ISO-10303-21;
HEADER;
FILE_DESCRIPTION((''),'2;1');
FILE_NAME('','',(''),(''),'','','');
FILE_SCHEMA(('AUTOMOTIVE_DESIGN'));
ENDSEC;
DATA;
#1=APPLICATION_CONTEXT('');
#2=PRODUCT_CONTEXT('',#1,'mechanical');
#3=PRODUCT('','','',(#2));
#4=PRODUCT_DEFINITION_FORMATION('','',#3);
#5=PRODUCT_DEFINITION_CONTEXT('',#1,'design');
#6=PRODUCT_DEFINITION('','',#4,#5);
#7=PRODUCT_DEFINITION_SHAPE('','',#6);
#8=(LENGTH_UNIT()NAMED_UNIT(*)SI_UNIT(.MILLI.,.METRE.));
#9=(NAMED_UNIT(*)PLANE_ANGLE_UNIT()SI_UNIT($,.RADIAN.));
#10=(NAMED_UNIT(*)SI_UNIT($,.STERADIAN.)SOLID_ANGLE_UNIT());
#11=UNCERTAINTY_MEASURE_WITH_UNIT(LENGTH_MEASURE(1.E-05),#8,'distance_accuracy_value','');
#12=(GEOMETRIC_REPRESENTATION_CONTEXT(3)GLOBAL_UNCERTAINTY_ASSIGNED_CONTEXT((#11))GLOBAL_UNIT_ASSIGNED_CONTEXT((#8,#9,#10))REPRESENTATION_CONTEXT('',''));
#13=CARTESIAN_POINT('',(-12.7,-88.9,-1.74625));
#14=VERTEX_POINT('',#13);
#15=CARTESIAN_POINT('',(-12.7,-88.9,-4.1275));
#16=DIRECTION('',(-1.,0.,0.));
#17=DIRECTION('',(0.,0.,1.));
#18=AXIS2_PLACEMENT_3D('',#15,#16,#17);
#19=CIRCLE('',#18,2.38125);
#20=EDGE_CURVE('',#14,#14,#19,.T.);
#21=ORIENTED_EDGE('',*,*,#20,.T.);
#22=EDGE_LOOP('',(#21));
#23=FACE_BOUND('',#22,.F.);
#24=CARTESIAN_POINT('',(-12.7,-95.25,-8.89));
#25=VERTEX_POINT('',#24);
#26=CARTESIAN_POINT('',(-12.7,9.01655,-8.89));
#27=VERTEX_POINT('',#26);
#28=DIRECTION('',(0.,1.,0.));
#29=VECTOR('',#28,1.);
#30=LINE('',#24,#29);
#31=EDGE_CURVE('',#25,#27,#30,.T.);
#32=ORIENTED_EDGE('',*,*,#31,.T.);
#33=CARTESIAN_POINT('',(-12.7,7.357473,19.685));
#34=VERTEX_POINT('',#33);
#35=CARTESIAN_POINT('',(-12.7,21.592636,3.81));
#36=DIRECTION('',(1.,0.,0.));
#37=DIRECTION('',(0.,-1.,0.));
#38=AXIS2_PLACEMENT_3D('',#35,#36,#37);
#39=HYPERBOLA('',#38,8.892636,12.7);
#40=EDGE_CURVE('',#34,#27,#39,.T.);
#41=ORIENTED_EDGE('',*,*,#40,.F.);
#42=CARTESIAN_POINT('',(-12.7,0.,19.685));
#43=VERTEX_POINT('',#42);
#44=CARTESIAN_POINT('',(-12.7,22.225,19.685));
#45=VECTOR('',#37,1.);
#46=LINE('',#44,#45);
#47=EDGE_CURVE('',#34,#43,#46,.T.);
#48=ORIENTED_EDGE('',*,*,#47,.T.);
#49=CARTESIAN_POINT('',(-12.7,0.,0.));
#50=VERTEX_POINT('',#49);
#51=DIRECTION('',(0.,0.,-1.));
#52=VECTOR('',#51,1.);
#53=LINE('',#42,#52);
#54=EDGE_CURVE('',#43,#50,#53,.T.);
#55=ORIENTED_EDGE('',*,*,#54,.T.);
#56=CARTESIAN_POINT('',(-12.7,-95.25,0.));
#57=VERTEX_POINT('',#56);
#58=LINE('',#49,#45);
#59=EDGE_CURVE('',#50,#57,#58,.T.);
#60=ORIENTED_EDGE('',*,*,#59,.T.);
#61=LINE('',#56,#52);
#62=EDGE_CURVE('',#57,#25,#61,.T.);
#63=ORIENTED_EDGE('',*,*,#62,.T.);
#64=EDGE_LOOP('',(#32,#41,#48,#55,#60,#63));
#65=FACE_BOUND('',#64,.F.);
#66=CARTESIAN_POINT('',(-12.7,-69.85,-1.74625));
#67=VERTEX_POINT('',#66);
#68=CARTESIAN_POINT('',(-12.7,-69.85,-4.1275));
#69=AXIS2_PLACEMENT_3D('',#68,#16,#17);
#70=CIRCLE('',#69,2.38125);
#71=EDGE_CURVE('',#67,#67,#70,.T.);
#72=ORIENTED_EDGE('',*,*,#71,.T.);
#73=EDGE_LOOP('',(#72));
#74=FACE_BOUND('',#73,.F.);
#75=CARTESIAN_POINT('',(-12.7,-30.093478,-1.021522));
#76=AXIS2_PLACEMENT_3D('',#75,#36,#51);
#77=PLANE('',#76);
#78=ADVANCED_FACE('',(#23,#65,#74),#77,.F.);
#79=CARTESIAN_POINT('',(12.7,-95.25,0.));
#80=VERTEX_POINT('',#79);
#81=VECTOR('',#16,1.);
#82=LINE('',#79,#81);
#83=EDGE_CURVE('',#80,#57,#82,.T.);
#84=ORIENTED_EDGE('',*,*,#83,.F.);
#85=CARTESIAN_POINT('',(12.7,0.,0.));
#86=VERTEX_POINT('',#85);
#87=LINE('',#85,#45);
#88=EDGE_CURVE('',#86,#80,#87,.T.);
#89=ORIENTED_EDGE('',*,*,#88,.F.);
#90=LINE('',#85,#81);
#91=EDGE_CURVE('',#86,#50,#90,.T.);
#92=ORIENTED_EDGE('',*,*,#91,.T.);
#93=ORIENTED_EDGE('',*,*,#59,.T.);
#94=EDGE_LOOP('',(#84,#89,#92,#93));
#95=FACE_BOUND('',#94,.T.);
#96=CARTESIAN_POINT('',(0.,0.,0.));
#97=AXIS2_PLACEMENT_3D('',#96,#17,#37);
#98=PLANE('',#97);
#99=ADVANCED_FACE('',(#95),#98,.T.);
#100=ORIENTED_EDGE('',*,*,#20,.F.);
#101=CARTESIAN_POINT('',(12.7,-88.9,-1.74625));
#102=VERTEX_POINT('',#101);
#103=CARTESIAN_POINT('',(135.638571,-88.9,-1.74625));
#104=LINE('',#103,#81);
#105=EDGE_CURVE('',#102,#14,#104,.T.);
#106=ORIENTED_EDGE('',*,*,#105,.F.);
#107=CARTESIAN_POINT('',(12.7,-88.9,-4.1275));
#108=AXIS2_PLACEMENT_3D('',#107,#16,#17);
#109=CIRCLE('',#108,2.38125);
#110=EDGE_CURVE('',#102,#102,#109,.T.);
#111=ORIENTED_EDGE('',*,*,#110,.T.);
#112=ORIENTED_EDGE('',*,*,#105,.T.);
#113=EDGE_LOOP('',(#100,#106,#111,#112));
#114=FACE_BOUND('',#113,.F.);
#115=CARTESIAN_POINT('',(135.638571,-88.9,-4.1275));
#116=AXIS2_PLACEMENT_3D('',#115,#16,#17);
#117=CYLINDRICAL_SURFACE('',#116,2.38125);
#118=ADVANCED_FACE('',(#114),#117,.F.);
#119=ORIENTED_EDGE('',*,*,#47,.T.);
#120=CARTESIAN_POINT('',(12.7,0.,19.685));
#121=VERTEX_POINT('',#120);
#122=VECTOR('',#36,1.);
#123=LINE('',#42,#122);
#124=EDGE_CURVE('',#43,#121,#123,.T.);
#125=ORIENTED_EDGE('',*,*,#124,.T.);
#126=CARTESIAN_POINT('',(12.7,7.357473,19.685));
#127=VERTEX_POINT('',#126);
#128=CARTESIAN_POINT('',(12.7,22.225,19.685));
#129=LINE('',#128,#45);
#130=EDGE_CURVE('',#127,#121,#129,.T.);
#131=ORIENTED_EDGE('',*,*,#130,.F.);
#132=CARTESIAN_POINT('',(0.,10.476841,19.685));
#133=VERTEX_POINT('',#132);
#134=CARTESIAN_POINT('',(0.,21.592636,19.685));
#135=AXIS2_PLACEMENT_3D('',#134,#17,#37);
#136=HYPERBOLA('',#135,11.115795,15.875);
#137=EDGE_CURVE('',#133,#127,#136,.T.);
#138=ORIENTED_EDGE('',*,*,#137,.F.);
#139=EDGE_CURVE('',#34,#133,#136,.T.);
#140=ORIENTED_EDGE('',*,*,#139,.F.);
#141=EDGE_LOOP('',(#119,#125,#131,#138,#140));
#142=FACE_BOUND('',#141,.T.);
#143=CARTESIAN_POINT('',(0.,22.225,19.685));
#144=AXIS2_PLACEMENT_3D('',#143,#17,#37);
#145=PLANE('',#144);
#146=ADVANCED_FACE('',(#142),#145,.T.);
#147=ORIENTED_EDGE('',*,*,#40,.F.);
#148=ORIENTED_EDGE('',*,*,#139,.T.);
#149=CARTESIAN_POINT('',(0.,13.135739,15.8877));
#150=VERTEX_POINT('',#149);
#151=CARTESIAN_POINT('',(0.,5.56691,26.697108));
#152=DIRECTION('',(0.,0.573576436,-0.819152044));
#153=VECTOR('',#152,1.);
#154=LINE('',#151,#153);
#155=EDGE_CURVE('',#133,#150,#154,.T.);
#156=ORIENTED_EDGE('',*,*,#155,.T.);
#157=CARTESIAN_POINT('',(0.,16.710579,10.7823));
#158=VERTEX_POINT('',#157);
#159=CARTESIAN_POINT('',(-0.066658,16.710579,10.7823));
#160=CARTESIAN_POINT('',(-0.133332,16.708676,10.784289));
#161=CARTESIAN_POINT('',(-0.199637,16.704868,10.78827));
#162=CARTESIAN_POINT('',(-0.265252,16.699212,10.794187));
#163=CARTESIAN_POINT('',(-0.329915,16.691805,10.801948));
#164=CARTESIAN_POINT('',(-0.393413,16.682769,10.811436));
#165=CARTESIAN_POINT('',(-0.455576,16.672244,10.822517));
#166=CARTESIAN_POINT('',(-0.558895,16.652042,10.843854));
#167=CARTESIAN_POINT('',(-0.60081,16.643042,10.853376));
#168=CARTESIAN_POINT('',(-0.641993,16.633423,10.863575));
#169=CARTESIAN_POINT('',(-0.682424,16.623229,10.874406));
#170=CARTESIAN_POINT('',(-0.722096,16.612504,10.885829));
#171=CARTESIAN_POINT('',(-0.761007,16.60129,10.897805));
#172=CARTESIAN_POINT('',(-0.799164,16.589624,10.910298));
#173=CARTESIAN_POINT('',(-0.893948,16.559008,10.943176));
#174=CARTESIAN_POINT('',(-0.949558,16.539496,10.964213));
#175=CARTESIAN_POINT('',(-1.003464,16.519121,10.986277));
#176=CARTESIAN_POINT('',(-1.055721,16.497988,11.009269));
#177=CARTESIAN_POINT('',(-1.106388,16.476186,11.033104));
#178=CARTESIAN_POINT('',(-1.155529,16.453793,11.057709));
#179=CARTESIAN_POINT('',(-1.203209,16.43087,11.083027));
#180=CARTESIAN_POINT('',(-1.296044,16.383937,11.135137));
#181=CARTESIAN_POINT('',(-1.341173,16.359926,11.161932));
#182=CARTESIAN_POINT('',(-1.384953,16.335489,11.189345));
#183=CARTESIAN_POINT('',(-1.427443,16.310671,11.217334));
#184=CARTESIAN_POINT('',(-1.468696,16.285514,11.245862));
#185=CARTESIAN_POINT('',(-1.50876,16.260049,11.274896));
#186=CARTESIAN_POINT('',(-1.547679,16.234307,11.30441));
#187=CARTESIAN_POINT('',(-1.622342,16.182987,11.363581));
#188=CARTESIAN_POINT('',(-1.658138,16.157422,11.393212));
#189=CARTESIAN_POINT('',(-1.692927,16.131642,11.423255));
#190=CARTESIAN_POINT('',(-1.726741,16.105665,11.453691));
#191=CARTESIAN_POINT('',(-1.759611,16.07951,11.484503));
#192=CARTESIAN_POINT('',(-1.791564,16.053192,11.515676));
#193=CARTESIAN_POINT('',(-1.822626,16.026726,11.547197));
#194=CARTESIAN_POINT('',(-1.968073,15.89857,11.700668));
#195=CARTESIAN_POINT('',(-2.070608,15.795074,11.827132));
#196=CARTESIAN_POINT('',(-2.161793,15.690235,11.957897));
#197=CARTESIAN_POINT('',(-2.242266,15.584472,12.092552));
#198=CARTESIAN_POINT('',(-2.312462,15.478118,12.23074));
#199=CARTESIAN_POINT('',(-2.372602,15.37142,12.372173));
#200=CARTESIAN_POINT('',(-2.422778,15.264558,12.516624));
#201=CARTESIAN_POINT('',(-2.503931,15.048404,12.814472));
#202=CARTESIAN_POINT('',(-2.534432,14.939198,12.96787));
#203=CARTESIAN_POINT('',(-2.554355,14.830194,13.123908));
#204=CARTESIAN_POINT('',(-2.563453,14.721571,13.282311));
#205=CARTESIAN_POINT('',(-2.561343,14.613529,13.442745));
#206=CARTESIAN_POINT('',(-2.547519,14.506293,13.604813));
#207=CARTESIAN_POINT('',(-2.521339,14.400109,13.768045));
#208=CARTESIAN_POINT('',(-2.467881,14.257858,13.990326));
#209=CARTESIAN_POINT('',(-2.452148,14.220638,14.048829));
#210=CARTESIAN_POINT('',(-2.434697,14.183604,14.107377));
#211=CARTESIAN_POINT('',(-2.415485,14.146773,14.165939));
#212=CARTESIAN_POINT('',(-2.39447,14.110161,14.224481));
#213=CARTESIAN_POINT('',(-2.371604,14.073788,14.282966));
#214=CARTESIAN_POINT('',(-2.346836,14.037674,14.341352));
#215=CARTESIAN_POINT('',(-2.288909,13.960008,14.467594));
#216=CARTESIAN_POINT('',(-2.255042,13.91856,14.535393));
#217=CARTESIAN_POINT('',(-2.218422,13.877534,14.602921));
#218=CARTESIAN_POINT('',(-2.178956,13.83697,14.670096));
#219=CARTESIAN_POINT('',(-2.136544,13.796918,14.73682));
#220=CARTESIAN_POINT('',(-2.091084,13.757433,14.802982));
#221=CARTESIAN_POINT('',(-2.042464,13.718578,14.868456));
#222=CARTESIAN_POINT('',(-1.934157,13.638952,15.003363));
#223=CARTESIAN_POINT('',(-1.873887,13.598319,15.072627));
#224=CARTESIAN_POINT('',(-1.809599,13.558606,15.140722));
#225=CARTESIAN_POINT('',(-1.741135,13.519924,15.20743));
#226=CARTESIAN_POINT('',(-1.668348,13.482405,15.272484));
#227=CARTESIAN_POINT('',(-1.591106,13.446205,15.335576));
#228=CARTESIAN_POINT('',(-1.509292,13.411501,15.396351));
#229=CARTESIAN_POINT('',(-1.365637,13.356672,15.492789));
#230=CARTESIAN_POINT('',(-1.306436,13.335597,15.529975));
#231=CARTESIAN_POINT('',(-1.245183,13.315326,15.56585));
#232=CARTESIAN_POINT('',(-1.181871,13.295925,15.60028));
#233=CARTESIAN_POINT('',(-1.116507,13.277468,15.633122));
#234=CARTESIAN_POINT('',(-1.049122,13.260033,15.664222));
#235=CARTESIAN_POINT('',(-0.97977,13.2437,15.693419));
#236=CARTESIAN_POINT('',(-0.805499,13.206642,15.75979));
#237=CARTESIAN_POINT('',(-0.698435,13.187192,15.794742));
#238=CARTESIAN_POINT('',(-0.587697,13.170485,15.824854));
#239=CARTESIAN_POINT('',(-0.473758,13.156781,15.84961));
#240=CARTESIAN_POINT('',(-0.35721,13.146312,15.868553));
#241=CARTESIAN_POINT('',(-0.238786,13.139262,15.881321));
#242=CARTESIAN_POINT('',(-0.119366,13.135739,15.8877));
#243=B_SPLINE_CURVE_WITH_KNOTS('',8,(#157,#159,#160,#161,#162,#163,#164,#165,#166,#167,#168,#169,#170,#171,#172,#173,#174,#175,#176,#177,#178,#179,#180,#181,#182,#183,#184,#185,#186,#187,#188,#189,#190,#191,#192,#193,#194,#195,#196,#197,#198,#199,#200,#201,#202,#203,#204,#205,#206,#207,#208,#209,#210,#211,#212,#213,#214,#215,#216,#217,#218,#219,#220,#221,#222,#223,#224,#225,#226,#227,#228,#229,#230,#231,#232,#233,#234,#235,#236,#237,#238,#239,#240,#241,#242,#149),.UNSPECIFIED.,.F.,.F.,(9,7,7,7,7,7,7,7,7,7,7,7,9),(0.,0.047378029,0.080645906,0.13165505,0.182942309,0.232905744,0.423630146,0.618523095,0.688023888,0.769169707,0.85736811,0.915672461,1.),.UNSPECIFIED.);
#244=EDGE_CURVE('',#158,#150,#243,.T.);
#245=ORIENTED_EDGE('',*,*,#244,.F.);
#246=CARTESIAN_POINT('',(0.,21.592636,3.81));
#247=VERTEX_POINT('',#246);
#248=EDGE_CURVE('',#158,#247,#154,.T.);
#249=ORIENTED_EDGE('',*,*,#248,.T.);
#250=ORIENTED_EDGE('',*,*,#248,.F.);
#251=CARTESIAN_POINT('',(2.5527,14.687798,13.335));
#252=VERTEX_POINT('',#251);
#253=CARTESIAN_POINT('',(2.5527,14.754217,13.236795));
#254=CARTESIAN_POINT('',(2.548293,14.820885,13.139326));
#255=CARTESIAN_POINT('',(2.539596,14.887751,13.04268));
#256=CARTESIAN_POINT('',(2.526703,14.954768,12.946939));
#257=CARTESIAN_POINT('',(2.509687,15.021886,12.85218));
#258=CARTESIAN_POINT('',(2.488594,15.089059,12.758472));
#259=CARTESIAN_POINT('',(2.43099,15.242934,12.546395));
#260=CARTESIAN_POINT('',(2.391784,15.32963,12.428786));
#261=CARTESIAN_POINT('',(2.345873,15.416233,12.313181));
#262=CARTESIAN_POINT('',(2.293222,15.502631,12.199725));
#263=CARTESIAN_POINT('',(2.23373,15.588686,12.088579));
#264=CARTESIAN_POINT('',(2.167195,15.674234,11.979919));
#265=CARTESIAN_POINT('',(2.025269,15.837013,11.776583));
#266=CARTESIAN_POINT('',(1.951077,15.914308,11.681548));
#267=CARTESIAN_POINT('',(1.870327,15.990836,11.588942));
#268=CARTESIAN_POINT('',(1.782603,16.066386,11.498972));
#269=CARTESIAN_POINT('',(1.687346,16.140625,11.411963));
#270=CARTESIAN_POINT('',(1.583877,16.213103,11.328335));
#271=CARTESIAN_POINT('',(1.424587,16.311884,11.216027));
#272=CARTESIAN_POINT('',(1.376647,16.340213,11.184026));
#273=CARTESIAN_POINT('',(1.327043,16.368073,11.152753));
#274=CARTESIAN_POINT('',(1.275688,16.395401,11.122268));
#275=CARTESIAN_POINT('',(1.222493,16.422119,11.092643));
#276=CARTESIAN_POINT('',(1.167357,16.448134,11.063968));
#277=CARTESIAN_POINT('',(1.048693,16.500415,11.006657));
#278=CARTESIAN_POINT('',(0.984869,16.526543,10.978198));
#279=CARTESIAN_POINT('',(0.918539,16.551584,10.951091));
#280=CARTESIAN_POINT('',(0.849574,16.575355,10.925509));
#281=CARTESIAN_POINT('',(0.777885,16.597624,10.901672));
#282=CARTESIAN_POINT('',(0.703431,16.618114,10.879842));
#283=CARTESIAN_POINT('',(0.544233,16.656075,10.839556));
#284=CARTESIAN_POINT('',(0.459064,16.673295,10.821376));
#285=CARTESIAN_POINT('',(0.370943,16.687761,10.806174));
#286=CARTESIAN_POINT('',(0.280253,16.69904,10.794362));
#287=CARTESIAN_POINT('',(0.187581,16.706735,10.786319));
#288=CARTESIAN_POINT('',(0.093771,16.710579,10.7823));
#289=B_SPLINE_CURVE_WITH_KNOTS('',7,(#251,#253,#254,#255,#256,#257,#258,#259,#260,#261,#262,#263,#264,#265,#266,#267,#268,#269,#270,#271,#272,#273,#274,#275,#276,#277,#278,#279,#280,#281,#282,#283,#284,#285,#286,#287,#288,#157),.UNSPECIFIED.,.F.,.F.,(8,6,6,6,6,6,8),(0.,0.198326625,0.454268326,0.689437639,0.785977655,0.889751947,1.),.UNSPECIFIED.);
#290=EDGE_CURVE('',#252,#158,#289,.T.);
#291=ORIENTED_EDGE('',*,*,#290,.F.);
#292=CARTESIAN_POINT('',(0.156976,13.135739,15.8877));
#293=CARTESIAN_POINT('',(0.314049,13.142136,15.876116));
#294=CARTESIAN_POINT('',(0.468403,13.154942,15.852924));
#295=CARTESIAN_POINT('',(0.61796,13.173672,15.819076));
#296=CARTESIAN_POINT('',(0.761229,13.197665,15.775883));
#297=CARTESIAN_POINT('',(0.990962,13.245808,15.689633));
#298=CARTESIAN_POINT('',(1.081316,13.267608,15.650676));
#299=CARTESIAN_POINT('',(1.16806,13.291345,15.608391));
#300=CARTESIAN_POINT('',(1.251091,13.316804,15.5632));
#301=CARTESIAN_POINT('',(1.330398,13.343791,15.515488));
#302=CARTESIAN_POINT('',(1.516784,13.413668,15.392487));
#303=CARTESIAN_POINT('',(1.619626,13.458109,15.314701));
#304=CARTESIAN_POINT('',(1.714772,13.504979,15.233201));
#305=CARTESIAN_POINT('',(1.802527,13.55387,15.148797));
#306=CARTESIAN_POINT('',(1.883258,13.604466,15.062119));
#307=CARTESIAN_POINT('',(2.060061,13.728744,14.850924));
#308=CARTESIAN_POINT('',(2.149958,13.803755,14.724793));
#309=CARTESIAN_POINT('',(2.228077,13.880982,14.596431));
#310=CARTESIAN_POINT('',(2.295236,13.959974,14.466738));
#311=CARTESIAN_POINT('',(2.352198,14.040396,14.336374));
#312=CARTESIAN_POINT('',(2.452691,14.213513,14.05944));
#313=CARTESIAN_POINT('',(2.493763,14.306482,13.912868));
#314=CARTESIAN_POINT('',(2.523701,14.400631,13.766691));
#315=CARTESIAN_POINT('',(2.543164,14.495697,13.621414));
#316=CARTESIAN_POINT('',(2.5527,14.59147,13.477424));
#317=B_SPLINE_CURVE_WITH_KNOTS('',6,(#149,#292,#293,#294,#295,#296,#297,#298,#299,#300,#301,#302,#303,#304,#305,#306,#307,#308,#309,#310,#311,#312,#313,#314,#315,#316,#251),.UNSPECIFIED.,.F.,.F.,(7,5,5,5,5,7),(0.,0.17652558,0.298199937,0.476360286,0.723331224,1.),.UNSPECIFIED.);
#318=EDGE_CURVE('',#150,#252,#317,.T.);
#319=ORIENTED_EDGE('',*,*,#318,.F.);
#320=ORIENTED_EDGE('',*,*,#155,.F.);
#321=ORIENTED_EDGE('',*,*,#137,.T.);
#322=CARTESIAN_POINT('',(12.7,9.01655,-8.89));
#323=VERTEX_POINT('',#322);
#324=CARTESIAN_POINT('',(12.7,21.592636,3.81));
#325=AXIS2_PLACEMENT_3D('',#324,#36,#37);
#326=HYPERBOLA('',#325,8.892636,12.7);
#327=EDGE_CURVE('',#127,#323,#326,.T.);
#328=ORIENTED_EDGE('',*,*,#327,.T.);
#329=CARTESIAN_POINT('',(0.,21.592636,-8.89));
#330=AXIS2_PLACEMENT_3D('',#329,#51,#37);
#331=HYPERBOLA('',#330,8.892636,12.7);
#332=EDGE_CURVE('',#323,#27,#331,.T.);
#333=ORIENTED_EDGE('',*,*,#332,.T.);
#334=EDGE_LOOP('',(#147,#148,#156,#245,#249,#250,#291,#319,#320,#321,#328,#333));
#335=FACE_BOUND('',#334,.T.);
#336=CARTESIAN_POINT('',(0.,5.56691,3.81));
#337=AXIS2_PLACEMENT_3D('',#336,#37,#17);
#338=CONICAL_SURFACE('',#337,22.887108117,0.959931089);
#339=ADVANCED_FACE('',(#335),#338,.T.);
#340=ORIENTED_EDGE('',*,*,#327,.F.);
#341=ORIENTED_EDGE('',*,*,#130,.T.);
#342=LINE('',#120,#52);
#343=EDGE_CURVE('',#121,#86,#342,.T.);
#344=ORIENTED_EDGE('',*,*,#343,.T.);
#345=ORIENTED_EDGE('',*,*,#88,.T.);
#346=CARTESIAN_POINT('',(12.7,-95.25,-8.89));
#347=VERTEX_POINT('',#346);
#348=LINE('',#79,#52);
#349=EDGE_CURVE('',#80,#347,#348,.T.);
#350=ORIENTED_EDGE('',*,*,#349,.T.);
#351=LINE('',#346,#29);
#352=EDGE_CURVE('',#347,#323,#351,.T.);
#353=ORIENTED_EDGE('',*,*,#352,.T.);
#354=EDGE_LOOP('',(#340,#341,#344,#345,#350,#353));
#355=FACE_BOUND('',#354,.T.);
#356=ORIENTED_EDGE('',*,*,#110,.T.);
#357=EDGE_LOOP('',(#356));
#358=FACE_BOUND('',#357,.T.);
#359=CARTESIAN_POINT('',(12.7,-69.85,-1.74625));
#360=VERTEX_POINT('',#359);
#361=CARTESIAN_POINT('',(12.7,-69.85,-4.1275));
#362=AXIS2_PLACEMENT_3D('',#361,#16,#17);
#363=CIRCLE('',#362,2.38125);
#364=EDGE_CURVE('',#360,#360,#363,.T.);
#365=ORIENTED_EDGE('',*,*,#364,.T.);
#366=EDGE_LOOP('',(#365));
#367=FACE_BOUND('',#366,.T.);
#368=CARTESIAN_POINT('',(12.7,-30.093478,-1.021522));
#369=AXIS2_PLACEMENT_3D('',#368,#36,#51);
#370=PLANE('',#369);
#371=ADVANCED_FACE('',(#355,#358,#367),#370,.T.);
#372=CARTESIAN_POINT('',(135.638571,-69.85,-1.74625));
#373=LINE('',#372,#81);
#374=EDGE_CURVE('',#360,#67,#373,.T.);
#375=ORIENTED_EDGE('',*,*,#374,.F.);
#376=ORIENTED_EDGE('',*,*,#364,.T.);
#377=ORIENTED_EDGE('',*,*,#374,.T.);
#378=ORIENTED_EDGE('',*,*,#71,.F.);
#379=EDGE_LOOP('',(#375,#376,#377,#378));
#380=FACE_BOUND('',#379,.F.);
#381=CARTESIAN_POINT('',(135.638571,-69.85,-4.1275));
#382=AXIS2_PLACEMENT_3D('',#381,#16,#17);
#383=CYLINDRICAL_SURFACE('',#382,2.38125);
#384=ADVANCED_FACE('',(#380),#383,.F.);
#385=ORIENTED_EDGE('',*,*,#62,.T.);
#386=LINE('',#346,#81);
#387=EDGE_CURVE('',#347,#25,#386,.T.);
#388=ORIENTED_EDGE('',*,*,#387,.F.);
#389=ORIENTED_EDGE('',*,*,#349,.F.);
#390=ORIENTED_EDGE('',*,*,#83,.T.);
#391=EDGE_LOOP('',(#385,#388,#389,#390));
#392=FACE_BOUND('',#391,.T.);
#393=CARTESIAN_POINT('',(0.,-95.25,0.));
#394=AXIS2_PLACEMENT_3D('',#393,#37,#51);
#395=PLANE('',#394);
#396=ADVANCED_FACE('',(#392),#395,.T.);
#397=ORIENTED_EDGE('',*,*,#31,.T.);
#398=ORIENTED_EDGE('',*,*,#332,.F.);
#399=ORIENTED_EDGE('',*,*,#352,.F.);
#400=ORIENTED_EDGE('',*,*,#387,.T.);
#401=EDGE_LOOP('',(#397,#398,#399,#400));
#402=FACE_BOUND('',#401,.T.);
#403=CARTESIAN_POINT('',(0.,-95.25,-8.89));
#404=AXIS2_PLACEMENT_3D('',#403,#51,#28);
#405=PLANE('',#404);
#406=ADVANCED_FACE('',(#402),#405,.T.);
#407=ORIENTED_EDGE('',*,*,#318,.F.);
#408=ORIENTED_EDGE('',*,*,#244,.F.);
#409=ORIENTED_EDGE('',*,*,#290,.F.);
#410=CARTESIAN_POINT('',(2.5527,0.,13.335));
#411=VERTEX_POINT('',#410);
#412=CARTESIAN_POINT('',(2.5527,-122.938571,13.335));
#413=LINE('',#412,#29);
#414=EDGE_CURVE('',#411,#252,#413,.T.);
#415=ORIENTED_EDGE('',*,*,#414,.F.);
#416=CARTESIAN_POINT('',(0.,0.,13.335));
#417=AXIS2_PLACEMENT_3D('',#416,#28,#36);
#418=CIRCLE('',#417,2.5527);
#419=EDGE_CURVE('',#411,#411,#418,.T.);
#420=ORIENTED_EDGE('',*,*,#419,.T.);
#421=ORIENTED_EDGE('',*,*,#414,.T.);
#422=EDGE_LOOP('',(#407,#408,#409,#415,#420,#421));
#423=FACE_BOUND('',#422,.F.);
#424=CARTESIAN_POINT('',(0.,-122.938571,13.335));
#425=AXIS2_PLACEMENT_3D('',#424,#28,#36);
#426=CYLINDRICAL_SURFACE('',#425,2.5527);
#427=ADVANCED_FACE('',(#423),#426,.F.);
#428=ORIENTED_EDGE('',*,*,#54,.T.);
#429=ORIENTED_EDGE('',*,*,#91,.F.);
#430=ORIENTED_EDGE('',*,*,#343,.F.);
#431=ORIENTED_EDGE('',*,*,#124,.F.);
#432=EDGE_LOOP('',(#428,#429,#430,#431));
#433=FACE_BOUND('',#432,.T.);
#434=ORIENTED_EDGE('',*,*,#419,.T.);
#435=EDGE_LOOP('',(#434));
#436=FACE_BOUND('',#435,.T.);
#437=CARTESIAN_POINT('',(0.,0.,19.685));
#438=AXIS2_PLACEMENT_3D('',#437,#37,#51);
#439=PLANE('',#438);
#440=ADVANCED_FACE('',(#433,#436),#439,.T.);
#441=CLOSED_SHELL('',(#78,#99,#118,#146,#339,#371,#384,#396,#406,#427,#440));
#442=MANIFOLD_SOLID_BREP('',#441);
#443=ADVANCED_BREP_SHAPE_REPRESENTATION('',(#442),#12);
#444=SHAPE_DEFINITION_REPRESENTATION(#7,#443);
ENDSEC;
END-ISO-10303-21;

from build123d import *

# Parameters (mm, degrees)
BOSS_EXTRUDE1_DEPTH         = 12.7
F_1_4_20_TAPPED_HOLE1_D     = 5.1054
F_3_16_0_1875_DOWEL_HOLE1_D = 4.7625


with BuildPart() as part:
    # Sketch1 → Boss-Extrude1 (new body, symmetric)
    with BuildSketch(Plane(origin=(0, 0, 0), x_dir=(0, 0, -1), z_dir=(1, 0, 0))):
        Polygon((8.89, -95.25), (8.89, 22.225), (-19.685, 22.225), (-19.685, 0), (0, 0), (0, -95.25), align=None)
    extrude(amount=BOSS_EXTRUDE1_DEPTH, both=True)

    # Sketch2 → Cut-Revolve4 (revolve, cut)
    with BuildSketch(Plane(origin=(0, 0, 0), x_dir=(0, 0, -1), z_dir=(1, 0, 0))):
        Polygon((-26.697108117, 5.566910104), (-3.81, 21.592635735), (-3.81, 22.225), (-26.697108117, 22.225), align=None)
    revolve(axis=Axis((0, 21.592635735, 3.81), (0, 1, 0)), mode=Mode.SUBTRACT)

    # 1/4-20 Tapped Hole1 (through all)
    with Locations(Plane(origin=(0, 0, 0), x_dir=(-1, 0, 0), z_dir=(0, -1, 0))):
        with Locations((0, -13.335)):
            Hole(F_1_4_20_TAPPED_HOLE1_D / 2)

    # 3/16 (0.1875) Dowel Hole1 (through all)
    with Locations(Plane(origin=(12.7, 0, 0), x_dir=(0, 0, -1), z_dir=(1, 0, 0))):
        with Locations((4.1275, -88.9), (4.1275, -69.85)):
            Hole(F_3_16_0_1875_DOWEL_HOLE1_D / 2)


solid = part.part
